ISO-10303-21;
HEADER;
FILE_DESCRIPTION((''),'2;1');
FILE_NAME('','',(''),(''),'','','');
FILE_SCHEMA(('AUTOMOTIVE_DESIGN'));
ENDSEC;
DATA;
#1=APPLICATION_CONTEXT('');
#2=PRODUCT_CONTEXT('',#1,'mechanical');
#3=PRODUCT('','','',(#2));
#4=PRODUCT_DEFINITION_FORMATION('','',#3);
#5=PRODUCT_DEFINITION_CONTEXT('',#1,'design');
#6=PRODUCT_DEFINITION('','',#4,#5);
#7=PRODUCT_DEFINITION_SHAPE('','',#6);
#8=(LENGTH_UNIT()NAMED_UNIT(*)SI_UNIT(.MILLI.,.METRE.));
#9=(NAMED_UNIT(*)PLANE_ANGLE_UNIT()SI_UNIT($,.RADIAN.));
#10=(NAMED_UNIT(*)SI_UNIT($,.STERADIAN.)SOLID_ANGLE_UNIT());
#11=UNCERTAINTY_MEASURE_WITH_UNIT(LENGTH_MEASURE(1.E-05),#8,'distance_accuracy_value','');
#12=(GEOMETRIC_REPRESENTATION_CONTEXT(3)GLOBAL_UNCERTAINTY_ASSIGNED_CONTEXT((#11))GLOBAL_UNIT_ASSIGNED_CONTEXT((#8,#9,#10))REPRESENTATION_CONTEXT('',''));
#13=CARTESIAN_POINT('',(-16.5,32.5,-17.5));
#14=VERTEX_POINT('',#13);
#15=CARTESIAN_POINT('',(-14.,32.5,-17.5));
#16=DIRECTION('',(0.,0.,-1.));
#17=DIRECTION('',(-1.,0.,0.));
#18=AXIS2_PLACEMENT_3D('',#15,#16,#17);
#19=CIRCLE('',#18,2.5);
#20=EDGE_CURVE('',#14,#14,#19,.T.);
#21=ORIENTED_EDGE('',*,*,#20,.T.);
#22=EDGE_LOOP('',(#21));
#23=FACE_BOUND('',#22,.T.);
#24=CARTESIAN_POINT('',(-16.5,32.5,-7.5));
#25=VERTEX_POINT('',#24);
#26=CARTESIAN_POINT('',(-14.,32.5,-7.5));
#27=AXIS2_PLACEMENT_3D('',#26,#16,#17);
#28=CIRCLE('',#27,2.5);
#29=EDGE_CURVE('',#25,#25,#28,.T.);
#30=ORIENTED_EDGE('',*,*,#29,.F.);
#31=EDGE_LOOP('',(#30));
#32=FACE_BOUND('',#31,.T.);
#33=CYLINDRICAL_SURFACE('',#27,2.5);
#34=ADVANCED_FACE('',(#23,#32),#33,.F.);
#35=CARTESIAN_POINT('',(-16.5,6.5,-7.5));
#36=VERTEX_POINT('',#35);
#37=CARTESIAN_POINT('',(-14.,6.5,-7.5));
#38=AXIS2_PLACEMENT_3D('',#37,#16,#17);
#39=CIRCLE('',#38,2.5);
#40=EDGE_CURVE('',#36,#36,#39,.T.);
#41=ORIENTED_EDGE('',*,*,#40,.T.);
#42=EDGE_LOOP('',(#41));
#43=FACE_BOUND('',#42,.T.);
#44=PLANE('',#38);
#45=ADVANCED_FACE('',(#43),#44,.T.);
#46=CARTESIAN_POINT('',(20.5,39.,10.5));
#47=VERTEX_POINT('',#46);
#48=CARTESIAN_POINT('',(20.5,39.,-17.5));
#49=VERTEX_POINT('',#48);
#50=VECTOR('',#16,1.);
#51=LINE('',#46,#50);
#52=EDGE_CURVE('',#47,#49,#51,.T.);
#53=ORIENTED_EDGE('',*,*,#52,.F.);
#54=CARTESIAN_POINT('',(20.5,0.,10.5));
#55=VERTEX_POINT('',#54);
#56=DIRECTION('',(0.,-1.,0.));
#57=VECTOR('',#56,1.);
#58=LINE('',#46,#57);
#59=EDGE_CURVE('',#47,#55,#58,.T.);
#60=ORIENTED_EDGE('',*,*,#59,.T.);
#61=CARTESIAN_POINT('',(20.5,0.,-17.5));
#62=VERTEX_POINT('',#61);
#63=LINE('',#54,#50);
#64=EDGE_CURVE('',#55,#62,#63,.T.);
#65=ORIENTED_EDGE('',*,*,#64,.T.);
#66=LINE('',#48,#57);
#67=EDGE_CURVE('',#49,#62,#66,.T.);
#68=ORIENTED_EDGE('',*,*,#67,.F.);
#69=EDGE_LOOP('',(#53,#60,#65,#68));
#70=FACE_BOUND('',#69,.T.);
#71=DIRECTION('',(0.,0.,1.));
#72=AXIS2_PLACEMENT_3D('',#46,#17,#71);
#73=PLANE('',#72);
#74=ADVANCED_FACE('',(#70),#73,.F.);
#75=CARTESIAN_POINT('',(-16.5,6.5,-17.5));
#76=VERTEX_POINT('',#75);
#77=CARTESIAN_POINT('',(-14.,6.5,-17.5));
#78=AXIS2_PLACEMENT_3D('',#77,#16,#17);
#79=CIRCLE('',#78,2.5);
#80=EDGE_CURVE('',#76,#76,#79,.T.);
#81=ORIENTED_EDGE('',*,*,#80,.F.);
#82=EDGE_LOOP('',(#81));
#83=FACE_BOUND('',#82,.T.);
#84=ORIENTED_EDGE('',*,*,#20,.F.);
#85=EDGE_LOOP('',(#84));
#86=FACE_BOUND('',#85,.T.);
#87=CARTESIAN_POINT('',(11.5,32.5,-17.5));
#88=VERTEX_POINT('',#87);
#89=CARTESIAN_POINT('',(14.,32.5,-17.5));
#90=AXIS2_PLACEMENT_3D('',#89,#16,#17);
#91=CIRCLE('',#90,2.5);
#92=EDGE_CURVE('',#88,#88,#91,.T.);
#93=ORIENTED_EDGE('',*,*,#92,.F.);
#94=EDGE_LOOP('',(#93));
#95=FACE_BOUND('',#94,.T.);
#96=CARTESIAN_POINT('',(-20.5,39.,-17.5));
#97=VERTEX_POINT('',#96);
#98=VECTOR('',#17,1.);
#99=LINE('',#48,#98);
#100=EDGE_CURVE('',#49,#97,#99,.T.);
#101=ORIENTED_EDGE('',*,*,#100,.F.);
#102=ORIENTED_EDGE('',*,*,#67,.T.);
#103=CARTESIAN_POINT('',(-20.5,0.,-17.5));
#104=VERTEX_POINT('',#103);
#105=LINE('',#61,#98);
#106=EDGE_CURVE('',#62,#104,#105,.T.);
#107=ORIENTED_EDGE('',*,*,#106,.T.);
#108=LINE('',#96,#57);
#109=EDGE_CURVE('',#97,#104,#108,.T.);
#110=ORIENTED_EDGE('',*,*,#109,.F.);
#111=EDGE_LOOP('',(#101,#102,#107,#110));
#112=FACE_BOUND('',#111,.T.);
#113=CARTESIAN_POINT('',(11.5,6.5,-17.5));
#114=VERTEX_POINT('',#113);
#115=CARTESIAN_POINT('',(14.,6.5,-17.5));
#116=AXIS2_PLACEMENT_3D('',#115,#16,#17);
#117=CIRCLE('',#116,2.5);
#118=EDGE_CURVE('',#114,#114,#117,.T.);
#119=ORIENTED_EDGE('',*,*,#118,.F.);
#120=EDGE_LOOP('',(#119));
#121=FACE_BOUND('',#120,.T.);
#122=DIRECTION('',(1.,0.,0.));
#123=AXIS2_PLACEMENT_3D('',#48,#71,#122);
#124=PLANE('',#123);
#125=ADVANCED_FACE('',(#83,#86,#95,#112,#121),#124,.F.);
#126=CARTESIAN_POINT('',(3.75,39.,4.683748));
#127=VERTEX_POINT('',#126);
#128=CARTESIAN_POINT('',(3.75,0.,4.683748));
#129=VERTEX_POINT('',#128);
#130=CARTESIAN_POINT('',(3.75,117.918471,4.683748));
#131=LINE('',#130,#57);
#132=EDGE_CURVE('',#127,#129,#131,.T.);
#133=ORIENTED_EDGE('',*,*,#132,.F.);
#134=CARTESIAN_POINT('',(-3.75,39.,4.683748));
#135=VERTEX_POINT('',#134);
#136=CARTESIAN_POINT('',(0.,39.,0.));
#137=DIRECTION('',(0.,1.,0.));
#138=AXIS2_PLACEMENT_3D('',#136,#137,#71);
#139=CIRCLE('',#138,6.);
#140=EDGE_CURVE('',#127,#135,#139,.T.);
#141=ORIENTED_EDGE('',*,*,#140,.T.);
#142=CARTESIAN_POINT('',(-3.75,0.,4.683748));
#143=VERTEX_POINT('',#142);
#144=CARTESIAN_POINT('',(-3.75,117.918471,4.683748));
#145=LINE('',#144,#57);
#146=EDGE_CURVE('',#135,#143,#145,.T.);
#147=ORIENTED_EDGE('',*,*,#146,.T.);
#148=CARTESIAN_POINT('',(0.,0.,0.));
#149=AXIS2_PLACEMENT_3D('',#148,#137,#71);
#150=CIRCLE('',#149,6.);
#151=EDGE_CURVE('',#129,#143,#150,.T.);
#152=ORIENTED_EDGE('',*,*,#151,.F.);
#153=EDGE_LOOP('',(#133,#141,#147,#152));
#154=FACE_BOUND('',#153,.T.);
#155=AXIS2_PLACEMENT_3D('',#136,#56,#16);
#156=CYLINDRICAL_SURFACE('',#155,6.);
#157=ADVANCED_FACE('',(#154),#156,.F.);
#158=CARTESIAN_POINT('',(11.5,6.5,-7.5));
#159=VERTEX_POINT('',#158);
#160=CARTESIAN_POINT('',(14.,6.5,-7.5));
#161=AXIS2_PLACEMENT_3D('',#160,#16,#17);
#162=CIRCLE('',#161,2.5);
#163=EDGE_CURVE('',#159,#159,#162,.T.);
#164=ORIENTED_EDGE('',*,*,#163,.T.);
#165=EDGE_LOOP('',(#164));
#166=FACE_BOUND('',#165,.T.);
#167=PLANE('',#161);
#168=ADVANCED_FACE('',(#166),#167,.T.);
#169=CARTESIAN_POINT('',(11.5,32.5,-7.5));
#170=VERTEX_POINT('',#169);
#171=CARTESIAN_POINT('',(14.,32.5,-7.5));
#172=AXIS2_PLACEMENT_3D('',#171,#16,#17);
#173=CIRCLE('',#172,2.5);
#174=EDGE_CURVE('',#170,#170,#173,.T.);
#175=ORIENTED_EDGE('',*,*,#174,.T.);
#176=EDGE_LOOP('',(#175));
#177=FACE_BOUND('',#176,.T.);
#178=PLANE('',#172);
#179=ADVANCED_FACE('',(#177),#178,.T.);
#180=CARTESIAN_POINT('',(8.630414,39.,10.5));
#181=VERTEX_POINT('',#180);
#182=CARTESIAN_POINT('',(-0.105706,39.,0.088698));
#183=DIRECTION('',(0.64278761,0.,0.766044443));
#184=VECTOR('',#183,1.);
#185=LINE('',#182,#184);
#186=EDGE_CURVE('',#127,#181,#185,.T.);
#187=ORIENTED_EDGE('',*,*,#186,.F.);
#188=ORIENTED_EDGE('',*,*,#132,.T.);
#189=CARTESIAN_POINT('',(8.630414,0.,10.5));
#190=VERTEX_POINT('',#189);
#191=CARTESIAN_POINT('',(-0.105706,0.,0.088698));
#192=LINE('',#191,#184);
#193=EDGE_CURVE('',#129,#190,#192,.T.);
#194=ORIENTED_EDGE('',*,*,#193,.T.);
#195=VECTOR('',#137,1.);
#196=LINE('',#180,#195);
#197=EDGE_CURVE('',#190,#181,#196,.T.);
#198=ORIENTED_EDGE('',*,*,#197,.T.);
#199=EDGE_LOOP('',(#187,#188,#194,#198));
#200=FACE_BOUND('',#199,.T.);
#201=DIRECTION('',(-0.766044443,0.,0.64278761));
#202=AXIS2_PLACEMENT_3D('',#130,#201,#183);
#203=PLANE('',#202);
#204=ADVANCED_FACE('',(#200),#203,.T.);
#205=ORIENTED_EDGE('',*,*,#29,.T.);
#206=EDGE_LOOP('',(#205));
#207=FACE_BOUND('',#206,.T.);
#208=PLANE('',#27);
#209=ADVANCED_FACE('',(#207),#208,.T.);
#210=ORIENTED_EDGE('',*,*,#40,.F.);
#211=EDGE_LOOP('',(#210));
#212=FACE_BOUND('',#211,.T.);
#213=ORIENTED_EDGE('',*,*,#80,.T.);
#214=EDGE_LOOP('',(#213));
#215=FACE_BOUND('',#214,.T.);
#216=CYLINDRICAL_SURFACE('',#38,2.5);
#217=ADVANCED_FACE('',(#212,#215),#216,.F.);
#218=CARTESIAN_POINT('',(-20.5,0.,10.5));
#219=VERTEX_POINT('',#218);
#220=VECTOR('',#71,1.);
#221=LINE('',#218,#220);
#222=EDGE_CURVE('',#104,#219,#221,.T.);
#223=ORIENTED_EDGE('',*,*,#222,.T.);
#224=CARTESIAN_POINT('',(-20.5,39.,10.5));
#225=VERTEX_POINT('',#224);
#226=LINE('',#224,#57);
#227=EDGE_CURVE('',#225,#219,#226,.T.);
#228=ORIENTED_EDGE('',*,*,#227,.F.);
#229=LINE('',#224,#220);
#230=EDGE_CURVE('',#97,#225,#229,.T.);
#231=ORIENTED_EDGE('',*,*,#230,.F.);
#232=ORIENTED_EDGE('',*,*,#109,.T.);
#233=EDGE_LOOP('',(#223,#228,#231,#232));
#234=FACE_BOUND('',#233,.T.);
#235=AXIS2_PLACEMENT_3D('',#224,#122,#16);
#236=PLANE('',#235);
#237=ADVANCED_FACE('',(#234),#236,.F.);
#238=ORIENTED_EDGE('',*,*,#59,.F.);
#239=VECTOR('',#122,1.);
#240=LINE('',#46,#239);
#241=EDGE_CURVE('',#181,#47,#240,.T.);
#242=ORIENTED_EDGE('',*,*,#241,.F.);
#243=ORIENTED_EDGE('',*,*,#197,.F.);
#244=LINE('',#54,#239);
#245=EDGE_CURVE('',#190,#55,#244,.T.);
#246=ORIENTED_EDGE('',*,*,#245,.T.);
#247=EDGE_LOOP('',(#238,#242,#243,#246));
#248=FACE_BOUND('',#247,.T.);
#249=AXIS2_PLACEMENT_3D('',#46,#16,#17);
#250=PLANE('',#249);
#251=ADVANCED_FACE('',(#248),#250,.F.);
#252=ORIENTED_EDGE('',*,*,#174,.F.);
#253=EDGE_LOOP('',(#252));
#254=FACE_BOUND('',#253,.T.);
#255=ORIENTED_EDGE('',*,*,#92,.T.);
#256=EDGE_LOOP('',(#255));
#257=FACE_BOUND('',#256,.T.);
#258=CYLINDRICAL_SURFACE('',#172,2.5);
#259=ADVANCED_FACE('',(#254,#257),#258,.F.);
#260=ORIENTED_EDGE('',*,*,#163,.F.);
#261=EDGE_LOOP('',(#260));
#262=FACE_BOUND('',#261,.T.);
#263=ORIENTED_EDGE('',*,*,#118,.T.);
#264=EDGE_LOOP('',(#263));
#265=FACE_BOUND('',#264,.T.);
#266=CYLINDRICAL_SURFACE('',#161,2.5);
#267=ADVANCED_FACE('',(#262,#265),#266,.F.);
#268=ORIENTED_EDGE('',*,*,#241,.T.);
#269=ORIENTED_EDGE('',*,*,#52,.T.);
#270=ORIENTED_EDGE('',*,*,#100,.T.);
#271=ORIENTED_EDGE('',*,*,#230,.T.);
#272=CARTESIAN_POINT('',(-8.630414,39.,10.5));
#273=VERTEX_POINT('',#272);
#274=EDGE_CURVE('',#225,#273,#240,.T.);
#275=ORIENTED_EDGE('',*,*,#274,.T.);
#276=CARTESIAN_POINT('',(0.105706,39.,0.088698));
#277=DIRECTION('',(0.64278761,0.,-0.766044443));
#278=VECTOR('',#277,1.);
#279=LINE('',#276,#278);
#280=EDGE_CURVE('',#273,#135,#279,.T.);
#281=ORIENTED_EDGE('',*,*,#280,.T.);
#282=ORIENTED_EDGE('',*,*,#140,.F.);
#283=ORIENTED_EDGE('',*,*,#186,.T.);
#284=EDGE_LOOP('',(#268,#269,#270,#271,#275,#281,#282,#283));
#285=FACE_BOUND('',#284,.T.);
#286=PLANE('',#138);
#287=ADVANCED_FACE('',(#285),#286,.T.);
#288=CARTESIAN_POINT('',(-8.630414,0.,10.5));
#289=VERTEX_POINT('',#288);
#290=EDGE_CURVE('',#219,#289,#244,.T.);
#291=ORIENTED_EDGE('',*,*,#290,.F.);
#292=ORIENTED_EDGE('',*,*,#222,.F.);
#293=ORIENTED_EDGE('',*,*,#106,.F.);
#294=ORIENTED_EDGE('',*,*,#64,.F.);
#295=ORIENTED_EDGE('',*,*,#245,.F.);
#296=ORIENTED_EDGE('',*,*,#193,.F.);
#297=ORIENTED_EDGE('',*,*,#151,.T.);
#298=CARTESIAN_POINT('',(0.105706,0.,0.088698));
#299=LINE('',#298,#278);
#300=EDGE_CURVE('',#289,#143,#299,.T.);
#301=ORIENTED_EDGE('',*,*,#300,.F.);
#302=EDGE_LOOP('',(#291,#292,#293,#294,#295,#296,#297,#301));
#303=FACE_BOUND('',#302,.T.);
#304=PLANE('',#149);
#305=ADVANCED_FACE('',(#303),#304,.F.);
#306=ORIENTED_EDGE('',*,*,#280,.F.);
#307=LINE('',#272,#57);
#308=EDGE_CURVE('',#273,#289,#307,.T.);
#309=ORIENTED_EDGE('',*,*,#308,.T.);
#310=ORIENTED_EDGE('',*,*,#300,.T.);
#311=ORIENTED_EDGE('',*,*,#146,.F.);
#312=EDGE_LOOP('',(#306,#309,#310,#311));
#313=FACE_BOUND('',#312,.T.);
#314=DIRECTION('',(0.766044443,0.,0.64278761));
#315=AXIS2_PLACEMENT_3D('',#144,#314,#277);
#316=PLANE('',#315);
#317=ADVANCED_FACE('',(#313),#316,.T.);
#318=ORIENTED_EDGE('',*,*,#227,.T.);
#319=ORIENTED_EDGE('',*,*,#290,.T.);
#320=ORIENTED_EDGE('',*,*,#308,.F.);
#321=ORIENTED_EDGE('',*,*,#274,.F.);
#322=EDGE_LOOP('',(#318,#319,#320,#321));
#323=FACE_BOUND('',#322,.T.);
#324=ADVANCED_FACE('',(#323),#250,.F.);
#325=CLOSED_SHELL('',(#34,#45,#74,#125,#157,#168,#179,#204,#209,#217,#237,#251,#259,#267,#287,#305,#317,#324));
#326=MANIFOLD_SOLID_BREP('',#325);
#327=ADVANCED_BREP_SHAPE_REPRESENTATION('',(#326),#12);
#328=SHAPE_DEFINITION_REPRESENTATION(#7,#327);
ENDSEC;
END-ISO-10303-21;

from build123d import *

# Parameters (mm, degrees)
SKETCH1_W               = 41
SKETCH1_H               = 28
SKETCH1_R               = 6
BOSS_EXTRUDE1_DEPTH     = 39
CUT_EXTRUDE1_DEPTH      = 1
CUT_EXTRUDE1_DEPTH_BACK = 40
SKETCH3_R               = 2.5
CUT_EXTRUDE2_DEPTH      = 10


with BuildPart() as part:
    # Sketch1 → Boss-Extrude1 (new body)
    with BuildSketch(Plane(origin=(0, 0, 0), x_dir=(1, 0, 0), z_dir=(0, 1, 0))):
        with Locations((0, 3.5)):
            Rectangle(SKETCH1_W, SKETCH1_H)
        Circle(SKETCH1_R, mode=Mode.SUBTRACT)
    extrude(amount=BOSS_EXTRUDE1_DEPTH)

    # Sketch2 → Cut-Extrude1 (cut, two sides)
    with BuildSketch(Plane(origin=(0, 39, 0), x_dir=(1, 0, 0), z_dir=(0, 1, 0))) as cut_extrude1_sk:
        with BuildLine():
            ThreePointArc((3.75, -4.683748499), (0, -6), (-3.75, -4.683748499))
            Line((-3.75, -4.683748499), (-8.630414489, -10.5))
            Line((-8.630414489, -10.5), (8.630414489, -10.5))
            Line((8.630414489, -10.5), (3.75, -4.683748499))
        make_face()
    extrude(amount=CUT_EXTRUDE1_DEPTH, mode=Mode.SUBTRACT)
    extrude(cut_extrude1_sk.sketch, amount=-CUT_EXTRUDE1_DEPTH_BACK, mode=Mode.SUBTRACT)

    # Sketch3 → Cut-Extrude2 (cut)
    with BuildSketch(Plane(origin=(0, 0, -17.5), x_dir=(-1, 0, 0), z_dir=(0, 0, -1))):
        with Locations((14, 32.5)):
            Circle(SKETCH3_R)
        with Locations((-14, 6.5)):
            Circle(SKETCH3_R)
        with Locations((-14, 32.5)):
            Circle(SKETCH3_R)
        with Locations((14, 6.5)):
            Circle(SKETCH3_R)
    extrude(amount=-CUT_EXTRUDE2_DEPTH, mode=Mode.SUBTRACT)


solid = part.part
